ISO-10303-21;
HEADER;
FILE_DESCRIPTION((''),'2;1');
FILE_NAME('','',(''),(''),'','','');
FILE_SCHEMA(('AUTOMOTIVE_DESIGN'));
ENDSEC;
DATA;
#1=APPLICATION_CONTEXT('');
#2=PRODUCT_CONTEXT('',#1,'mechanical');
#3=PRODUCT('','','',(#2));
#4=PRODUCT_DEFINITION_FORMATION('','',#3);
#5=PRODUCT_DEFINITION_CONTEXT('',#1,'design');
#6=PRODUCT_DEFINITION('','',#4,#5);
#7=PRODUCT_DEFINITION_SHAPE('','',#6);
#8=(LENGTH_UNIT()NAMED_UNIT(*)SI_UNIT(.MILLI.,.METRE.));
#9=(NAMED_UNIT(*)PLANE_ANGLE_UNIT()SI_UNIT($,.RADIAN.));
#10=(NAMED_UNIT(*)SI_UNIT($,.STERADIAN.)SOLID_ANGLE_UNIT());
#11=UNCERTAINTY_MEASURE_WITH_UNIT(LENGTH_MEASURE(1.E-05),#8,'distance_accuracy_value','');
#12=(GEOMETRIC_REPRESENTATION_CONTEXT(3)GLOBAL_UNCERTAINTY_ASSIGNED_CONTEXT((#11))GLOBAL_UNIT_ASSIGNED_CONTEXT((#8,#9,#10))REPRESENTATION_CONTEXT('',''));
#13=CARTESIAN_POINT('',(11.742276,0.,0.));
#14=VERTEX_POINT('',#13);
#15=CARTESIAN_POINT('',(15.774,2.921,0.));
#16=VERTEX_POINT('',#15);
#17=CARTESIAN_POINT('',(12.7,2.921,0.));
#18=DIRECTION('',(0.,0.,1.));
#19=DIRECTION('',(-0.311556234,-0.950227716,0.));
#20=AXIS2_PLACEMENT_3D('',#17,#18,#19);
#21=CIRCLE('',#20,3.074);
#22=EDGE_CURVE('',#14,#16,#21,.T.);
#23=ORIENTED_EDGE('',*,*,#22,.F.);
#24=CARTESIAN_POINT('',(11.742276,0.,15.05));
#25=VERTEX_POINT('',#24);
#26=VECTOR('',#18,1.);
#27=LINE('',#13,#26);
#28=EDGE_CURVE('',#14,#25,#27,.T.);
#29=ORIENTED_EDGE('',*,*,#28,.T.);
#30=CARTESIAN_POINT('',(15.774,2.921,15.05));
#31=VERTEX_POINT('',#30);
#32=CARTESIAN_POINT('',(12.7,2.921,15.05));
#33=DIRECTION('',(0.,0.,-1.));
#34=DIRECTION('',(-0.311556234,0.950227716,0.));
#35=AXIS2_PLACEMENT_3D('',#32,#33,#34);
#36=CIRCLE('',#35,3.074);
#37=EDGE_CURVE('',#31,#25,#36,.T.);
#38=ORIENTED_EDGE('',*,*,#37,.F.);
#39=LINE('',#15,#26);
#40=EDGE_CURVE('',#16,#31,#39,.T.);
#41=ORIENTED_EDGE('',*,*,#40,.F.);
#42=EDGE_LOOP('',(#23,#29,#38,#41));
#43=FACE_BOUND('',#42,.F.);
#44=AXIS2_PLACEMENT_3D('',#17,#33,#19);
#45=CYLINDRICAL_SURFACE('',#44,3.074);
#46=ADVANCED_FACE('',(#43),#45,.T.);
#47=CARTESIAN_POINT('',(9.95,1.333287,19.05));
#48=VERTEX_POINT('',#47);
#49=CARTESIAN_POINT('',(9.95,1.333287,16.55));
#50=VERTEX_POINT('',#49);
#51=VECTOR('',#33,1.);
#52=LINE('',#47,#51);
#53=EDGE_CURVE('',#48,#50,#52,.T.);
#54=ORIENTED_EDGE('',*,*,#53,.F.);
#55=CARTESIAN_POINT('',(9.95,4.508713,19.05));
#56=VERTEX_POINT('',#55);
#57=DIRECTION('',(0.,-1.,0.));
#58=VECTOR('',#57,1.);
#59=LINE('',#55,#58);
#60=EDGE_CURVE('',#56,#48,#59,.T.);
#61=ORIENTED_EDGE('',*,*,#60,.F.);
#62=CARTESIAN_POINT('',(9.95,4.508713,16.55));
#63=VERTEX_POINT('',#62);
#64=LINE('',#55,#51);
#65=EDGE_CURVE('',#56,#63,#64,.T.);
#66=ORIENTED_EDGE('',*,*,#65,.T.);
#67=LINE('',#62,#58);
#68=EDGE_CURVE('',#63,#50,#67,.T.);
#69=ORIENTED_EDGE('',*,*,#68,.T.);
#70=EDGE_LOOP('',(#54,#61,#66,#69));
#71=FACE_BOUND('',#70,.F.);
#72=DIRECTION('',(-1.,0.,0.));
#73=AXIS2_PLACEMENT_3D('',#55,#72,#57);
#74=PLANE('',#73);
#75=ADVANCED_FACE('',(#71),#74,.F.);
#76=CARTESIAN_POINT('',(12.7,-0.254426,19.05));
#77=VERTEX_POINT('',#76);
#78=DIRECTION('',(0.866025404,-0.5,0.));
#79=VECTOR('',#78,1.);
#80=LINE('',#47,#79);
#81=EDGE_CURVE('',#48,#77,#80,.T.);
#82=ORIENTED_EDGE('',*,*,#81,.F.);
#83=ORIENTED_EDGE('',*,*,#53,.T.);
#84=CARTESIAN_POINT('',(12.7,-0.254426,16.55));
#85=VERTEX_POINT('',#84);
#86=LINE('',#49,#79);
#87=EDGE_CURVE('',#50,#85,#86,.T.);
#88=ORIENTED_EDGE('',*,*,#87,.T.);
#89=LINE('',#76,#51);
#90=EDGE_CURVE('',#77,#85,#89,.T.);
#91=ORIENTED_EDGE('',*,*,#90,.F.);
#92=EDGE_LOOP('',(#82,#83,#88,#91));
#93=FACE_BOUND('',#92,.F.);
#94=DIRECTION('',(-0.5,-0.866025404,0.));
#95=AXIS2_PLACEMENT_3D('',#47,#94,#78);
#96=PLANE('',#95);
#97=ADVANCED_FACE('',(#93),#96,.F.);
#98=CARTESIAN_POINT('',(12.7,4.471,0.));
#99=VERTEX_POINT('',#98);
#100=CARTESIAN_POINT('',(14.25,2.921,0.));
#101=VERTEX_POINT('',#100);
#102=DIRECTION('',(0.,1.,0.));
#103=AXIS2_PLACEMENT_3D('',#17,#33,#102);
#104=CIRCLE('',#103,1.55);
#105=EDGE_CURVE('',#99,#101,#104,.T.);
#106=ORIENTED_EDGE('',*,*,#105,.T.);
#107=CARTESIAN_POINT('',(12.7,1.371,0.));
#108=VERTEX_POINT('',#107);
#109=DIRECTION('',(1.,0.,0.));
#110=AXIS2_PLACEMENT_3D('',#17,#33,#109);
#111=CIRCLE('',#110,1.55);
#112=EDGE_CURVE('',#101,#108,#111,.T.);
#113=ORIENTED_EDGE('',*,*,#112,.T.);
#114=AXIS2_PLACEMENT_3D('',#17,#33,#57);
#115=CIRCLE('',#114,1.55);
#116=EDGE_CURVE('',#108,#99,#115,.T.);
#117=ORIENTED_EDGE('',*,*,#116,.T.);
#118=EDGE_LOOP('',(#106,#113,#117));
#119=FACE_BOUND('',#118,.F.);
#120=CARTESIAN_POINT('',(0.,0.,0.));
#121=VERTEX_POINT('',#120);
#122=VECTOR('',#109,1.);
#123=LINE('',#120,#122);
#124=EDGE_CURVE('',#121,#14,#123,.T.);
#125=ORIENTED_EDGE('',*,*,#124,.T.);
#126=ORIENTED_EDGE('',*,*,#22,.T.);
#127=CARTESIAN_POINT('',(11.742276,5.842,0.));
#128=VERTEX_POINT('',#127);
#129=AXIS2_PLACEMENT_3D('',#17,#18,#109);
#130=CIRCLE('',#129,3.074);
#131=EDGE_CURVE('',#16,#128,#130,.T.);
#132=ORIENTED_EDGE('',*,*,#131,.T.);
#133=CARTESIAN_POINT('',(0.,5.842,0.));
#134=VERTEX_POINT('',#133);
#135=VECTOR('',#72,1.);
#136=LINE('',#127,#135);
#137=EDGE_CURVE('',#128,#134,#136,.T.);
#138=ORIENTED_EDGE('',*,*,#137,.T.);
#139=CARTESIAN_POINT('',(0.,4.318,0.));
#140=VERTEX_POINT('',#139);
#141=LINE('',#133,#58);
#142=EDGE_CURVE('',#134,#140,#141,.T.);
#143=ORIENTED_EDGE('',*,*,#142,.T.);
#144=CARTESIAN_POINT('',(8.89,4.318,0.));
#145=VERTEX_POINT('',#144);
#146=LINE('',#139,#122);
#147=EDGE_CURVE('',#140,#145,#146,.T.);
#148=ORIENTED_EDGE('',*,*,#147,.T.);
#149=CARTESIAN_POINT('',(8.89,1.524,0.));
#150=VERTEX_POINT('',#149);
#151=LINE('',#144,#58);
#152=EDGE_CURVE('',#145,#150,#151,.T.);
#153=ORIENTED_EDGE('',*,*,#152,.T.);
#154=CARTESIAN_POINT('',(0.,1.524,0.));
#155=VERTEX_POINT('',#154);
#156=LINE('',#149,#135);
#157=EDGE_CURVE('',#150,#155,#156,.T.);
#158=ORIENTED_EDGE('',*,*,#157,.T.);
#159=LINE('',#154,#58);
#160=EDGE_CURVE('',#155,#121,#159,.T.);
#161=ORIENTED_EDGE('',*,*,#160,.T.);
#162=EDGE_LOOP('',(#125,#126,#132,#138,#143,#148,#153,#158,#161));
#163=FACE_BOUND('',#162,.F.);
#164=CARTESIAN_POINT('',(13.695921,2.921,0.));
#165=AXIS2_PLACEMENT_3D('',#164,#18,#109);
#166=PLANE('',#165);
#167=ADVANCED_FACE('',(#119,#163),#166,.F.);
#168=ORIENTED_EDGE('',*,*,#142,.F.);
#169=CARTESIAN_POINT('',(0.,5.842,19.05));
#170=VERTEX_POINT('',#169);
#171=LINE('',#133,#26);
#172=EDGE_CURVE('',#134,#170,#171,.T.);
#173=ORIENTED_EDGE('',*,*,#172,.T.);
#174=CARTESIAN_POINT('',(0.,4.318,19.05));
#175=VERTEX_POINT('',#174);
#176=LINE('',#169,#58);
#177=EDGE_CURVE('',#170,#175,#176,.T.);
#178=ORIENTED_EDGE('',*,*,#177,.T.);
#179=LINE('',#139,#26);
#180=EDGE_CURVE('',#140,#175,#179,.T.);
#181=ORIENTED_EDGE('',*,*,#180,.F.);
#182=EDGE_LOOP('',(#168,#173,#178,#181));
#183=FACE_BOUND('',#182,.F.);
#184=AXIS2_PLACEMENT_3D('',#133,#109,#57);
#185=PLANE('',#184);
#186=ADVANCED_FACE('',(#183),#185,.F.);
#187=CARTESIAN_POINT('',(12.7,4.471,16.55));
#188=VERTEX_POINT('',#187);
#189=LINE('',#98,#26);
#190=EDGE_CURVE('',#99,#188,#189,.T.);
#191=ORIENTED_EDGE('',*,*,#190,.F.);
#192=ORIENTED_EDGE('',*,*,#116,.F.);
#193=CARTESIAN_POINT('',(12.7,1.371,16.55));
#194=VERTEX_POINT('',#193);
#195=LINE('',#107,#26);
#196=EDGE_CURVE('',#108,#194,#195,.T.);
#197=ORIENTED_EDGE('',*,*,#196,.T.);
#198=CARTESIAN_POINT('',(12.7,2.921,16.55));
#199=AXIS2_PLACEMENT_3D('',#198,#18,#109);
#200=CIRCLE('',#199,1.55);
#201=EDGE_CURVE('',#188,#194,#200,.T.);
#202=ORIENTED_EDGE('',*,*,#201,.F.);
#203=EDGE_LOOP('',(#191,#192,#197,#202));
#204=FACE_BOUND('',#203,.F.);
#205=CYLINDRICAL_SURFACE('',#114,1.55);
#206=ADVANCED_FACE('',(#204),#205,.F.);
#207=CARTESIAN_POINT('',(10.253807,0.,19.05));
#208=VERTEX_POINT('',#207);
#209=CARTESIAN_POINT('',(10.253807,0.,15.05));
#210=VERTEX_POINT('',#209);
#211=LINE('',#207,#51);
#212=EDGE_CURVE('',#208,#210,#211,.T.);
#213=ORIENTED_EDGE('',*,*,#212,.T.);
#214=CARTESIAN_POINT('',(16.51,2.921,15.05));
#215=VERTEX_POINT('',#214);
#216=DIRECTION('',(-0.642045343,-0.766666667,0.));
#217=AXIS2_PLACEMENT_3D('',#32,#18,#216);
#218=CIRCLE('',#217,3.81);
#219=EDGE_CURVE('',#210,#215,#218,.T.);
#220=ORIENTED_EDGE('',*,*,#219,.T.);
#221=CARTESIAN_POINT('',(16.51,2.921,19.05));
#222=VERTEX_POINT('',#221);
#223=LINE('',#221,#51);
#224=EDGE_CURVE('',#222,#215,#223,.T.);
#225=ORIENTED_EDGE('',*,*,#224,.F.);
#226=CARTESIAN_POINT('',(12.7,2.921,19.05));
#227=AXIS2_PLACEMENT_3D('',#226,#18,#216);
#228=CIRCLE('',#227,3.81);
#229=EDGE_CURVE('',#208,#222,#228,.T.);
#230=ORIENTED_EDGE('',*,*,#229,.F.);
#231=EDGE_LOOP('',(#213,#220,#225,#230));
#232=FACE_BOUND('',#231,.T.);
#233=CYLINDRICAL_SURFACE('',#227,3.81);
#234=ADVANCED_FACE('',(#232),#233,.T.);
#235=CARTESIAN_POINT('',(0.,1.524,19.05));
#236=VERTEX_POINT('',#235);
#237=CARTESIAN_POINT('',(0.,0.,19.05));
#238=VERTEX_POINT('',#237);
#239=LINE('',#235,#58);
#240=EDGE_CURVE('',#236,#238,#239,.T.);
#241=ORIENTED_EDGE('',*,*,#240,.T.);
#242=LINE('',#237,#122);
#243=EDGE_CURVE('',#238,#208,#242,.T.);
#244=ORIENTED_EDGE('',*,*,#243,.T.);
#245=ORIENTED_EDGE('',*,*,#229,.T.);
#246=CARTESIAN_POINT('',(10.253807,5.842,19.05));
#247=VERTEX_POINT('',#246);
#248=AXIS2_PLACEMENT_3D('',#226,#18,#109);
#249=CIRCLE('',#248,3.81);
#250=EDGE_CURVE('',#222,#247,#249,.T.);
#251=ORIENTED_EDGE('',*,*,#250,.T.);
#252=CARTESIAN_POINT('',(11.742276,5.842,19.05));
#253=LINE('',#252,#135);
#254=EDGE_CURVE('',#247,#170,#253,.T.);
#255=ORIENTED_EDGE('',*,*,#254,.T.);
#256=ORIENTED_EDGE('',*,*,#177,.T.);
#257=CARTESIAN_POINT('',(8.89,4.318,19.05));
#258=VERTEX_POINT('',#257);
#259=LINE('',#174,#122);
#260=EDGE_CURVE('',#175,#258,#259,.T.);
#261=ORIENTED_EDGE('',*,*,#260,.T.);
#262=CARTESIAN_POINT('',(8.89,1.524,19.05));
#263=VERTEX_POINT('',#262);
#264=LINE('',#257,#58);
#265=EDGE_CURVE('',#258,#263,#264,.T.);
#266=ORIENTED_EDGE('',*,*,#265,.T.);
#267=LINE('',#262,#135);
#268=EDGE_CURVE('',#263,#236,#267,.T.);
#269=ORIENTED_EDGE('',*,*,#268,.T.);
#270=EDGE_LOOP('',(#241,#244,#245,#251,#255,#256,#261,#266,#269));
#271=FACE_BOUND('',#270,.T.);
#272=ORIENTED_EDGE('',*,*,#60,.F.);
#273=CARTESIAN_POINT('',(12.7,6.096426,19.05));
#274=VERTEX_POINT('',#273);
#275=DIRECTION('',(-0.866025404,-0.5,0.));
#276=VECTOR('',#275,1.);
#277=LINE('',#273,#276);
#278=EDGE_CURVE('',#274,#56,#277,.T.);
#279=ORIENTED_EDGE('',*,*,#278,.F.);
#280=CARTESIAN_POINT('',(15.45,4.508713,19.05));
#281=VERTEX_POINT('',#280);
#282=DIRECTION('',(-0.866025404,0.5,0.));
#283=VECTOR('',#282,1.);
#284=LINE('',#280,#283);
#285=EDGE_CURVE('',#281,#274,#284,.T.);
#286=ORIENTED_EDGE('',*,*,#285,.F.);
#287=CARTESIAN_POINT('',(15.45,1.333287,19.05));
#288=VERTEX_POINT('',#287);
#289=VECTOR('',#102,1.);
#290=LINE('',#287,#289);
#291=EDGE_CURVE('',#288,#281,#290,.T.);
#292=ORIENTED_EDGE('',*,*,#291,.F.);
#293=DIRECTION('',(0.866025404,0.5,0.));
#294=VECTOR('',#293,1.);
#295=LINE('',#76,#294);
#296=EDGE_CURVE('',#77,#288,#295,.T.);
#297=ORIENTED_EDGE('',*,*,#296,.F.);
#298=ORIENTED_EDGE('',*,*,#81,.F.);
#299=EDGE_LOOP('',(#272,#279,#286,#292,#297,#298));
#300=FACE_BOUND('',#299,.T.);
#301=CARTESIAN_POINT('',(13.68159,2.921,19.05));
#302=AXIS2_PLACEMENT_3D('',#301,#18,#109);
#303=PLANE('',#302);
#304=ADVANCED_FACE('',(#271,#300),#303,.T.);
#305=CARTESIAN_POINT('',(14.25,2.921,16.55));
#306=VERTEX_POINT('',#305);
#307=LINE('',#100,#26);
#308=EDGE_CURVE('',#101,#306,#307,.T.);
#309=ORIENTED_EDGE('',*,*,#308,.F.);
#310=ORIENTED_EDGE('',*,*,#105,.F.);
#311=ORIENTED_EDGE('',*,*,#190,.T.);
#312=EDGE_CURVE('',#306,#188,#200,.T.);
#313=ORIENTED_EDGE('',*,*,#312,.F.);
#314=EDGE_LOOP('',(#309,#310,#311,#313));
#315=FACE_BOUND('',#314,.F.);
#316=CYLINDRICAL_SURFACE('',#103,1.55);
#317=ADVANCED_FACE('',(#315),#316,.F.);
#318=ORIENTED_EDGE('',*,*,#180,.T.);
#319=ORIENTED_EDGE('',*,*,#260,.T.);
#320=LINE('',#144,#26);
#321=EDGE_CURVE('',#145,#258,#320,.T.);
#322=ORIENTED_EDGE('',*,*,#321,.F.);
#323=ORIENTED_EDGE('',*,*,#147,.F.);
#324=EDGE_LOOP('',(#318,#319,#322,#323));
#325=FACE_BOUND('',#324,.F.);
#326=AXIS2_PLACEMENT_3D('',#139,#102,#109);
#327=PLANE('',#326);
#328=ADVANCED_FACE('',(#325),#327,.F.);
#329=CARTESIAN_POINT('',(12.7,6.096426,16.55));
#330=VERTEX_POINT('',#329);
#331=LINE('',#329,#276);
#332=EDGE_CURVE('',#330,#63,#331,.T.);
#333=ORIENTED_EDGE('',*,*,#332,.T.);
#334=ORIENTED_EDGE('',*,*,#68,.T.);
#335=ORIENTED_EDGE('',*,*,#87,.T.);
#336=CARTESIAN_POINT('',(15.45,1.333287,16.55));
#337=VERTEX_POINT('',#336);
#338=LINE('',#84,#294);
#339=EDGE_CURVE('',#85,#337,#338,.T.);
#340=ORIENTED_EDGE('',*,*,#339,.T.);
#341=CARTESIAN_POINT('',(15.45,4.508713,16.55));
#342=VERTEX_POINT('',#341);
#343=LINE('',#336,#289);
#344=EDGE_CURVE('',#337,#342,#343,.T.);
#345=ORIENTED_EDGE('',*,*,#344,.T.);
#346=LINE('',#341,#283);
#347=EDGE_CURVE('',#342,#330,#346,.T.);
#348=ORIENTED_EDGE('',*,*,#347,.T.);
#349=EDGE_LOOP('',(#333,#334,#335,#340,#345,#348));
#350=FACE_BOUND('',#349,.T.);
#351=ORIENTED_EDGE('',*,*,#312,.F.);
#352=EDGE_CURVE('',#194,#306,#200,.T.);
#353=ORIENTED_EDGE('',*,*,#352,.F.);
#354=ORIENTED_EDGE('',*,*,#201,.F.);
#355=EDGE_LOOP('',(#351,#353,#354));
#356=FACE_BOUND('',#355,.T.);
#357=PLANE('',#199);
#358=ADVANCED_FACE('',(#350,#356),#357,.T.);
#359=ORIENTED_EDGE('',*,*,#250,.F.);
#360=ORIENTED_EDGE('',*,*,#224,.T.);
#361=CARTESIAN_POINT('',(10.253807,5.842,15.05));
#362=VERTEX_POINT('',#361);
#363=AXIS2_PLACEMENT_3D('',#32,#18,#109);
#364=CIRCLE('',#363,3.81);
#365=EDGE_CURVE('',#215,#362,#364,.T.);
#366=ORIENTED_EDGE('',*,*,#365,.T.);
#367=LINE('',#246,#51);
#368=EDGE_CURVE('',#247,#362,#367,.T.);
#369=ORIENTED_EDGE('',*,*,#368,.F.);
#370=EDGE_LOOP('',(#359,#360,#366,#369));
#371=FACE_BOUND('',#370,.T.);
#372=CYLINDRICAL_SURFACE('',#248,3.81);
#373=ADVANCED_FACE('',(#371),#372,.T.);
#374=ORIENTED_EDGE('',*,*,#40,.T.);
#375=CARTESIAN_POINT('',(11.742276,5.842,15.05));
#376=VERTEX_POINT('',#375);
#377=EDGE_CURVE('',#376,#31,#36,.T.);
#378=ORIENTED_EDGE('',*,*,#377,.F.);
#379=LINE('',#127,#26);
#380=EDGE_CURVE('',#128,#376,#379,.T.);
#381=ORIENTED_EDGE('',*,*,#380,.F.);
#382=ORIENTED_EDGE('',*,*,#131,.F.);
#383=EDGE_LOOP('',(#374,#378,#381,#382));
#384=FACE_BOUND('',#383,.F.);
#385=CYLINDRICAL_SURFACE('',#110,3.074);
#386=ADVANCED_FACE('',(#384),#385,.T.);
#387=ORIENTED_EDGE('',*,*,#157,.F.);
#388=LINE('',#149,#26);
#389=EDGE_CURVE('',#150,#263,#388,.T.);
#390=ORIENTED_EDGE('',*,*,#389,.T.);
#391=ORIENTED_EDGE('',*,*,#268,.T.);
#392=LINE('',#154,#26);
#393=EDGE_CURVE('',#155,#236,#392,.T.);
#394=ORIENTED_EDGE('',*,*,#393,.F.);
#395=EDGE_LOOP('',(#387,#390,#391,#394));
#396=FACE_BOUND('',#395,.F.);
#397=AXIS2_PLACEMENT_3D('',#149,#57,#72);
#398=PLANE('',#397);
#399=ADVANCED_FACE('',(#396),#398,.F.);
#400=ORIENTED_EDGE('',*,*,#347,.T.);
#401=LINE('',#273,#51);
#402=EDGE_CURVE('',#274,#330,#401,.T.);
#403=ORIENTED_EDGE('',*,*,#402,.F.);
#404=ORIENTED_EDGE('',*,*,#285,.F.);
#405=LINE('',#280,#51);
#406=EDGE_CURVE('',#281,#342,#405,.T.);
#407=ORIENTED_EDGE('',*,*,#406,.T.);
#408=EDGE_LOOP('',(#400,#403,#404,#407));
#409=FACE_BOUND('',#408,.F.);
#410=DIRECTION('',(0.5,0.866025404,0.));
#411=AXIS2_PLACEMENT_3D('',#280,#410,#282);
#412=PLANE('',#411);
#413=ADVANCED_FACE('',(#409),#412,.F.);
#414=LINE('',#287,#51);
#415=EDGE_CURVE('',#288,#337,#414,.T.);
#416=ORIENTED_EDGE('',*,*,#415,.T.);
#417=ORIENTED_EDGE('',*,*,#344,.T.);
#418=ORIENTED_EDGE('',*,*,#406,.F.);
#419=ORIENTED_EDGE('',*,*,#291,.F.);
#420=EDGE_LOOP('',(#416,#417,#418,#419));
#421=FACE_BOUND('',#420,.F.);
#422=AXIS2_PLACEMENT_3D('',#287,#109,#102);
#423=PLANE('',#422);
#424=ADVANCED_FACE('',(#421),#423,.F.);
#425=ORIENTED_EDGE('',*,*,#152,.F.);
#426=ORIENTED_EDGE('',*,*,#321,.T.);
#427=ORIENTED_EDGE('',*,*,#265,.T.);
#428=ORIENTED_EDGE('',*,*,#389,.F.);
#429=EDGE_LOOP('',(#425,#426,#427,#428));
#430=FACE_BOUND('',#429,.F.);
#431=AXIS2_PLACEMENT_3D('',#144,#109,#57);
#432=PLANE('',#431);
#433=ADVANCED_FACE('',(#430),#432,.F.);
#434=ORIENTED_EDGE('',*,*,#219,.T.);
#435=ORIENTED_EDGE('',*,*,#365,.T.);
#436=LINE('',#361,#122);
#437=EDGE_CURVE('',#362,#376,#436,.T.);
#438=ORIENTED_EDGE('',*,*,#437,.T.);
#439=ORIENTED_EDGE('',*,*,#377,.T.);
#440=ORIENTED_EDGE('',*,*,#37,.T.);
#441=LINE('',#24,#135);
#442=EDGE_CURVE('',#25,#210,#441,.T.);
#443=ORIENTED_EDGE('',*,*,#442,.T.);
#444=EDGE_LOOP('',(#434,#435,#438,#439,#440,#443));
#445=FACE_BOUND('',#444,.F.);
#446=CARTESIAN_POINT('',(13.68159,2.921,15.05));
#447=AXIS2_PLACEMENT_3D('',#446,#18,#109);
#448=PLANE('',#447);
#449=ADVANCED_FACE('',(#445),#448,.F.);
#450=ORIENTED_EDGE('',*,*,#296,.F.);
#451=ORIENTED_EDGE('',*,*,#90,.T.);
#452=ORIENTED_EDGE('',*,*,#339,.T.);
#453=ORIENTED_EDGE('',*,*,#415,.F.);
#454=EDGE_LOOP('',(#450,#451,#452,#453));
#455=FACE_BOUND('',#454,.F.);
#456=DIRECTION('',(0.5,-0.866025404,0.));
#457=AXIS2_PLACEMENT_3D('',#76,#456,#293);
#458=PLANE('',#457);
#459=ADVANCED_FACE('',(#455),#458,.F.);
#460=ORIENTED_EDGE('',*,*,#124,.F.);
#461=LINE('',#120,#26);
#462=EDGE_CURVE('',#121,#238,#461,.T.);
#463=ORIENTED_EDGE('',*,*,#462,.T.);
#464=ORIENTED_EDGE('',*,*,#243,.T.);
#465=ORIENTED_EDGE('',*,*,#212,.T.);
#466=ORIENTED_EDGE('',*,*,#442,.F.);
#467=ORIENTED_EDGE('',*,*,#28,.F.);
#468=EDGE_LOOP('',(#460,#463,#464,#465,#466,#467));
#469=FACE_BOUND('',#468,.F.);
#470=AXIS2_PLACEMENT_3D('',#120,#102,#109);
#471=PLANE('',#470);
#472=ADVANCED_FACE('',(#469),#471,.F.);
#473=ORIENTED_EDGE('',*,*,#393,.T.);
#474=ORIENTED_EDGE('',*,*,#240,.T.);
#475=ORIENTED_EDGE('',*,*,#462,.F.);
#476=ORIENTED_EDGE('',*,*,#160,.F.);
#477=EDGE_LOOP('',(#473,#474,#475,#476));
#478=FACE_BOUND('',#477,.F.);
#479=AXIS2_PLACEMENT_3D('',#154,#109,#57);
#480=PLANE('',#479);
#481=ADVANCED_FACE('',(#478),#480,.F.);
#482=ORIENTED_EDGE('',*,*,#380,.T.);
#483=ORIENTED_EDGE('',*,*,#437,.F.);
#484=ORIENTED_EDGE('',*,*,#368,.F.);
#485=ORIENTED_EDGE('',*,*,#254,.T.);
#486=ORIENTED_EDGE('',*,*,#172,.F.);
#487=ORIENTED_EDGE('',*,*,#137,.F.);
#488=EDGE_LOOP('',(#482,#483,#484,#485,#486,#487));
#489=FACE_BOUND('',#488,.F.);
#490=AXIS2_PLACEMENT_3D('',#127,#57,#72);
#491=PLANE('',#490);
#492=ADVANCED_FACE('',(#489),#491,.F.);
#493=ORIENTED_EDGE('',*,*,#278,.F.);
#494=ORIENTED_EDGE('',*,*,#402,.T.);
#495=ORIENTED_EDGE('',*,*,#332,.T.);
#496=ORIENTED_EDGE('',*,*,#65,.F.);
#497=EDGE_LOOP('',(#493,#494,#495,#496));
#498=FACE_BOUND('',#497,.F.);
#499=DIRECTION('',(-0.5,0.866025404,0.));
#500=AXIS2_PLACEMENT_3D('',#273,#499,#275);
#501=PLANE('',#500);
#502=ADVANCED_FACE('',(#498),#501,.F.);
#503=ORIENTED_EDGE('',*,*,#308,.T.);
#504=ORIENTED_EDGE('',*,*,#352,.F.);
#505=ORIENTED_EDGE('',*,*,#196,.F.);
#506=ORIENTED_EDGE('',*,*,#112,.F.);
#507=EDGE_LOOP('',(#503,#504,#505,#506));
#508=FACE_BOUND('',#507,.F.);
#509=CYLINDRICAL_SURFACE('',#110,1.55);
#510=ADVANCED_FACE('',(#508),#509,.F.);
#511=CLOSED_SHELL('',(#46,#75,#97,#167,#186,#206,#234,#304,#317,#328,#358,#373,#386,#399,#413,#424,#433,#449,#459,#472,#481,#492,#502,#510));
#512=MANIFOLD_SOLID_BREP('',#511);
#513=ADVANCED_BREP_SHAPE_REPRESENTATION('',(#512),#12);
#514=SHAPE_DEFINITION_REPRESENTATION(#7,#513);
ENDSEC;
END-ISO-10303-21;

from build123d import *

# Parameters (mm, degrees)
F1_DEPTH = 19.05
F3_DEPTH = 4
F4_R     = 1.55
F5_DEPTH = 2.5


with BuildPart() as f1:
    # F0 (on Top) → F1 (new body)
    with BuildSketch(Plane.XY):
        with BuildLine():
            Line((12.7, 0), (11.7422761358, 0))
            ThreePointArc((11.7422761358, 0), (14.5035288799, 0.4316708576), (15.774, 2.921))
            ThreePointArc((15.774, 2.921), (14.5035288799, 5.4103291424), (11.7422761358, 5.842))
            Line((11.7422761358, 5.842), (12.7, 5.842))
            Line((12.7, 5.842), (12.7, 4.471))
            ThreePointArc((12.7, 4.471), (13.7960155108, 4.0170155108), (14.25, 2.921))
            ThreePointArc((14.25, 2.921), (13.7960155108, 1.8249844892), (12.7, 1.371))
            Line((12.7, 1.371), (12.7, 0))
        make_face()
        with BuildLine():
            Line((0, 1.524), (0, 0))
            Line((0, 0), (11.7422761358, 0))
            ThreePointArc((11.7422761358, 0), (9.626, 2.921), (11.7422761358, 5.842))
            Line((11.7422761358, 5.842), (0, 5.842))
            Line((0, 5.842), (0, 4.318))
            Line((0, 4.318), (8.89, 4.318))
            Line((8.89, 4.318), (8.89, 1.524))
            Line((8.89, 1.524), (0, 1.524))
        make_face()
        with BuildLine():
            ThreePointArc((11.7422761358, 5.842), (9.626, 2.921), (11.7422761358, 0))
            Line((11.7422761358, 0), (12.7, 0))
            Line((12.7, 0), (12.7, 1.371))
            ThreePointArc((12.7, 1.371), (11.15, 2.921), (12.7, 4.471))
            Line((12.7, 4.471), (12.7, 5.842))
            Line((12.7, 5.842), (11.7422761358, 5.842))
        make_face()
    extrude(amount=F1_DEPTH)

    # F2 (on face) → F3 (join)
    with BuildSketch(Plane.XY.offset(19.05)):
        with BuildLine():
            ThreePointArc((10.2538072439, 0), (14.3118476354, -0.5312524821), (16.51, 2.921))
            ThreePointArc((16.51, 2.921), (14.3118476354, 6.3732524821), (10.2538072439, 5.842))
            Line((10.2538072439, 5.842), (11.7422761358, 5.842))
            ThreePointArc((11.7422761358, 5.842), (15.774, 2.921), (11.7422761358, 0))
            Line((11.7422761358, 0), (10.2538072439, 0))
        make_face()
    extrude(amount=-F3_DEPTH)

    # F4 (on face) → F5 (cut)
    with BuildSketch(Plane.XY.offset(19.05)):
        Polygon((15.45, 4.5087132403), (12.7, 6.0964264805), (9.95, 4.5087132403), (9.95, 1.3332867597), (12.7, -0.2544264805), (15.45, 1.3332867597), align=None)
        with Locations((12.7, 2.921)):
            Circle(F4_R, mode=Mode.SUBTRACT)
    extrude(amount=-F5_DEPTH, mode=Mode.SUBTRACT)


solid = f1.part
